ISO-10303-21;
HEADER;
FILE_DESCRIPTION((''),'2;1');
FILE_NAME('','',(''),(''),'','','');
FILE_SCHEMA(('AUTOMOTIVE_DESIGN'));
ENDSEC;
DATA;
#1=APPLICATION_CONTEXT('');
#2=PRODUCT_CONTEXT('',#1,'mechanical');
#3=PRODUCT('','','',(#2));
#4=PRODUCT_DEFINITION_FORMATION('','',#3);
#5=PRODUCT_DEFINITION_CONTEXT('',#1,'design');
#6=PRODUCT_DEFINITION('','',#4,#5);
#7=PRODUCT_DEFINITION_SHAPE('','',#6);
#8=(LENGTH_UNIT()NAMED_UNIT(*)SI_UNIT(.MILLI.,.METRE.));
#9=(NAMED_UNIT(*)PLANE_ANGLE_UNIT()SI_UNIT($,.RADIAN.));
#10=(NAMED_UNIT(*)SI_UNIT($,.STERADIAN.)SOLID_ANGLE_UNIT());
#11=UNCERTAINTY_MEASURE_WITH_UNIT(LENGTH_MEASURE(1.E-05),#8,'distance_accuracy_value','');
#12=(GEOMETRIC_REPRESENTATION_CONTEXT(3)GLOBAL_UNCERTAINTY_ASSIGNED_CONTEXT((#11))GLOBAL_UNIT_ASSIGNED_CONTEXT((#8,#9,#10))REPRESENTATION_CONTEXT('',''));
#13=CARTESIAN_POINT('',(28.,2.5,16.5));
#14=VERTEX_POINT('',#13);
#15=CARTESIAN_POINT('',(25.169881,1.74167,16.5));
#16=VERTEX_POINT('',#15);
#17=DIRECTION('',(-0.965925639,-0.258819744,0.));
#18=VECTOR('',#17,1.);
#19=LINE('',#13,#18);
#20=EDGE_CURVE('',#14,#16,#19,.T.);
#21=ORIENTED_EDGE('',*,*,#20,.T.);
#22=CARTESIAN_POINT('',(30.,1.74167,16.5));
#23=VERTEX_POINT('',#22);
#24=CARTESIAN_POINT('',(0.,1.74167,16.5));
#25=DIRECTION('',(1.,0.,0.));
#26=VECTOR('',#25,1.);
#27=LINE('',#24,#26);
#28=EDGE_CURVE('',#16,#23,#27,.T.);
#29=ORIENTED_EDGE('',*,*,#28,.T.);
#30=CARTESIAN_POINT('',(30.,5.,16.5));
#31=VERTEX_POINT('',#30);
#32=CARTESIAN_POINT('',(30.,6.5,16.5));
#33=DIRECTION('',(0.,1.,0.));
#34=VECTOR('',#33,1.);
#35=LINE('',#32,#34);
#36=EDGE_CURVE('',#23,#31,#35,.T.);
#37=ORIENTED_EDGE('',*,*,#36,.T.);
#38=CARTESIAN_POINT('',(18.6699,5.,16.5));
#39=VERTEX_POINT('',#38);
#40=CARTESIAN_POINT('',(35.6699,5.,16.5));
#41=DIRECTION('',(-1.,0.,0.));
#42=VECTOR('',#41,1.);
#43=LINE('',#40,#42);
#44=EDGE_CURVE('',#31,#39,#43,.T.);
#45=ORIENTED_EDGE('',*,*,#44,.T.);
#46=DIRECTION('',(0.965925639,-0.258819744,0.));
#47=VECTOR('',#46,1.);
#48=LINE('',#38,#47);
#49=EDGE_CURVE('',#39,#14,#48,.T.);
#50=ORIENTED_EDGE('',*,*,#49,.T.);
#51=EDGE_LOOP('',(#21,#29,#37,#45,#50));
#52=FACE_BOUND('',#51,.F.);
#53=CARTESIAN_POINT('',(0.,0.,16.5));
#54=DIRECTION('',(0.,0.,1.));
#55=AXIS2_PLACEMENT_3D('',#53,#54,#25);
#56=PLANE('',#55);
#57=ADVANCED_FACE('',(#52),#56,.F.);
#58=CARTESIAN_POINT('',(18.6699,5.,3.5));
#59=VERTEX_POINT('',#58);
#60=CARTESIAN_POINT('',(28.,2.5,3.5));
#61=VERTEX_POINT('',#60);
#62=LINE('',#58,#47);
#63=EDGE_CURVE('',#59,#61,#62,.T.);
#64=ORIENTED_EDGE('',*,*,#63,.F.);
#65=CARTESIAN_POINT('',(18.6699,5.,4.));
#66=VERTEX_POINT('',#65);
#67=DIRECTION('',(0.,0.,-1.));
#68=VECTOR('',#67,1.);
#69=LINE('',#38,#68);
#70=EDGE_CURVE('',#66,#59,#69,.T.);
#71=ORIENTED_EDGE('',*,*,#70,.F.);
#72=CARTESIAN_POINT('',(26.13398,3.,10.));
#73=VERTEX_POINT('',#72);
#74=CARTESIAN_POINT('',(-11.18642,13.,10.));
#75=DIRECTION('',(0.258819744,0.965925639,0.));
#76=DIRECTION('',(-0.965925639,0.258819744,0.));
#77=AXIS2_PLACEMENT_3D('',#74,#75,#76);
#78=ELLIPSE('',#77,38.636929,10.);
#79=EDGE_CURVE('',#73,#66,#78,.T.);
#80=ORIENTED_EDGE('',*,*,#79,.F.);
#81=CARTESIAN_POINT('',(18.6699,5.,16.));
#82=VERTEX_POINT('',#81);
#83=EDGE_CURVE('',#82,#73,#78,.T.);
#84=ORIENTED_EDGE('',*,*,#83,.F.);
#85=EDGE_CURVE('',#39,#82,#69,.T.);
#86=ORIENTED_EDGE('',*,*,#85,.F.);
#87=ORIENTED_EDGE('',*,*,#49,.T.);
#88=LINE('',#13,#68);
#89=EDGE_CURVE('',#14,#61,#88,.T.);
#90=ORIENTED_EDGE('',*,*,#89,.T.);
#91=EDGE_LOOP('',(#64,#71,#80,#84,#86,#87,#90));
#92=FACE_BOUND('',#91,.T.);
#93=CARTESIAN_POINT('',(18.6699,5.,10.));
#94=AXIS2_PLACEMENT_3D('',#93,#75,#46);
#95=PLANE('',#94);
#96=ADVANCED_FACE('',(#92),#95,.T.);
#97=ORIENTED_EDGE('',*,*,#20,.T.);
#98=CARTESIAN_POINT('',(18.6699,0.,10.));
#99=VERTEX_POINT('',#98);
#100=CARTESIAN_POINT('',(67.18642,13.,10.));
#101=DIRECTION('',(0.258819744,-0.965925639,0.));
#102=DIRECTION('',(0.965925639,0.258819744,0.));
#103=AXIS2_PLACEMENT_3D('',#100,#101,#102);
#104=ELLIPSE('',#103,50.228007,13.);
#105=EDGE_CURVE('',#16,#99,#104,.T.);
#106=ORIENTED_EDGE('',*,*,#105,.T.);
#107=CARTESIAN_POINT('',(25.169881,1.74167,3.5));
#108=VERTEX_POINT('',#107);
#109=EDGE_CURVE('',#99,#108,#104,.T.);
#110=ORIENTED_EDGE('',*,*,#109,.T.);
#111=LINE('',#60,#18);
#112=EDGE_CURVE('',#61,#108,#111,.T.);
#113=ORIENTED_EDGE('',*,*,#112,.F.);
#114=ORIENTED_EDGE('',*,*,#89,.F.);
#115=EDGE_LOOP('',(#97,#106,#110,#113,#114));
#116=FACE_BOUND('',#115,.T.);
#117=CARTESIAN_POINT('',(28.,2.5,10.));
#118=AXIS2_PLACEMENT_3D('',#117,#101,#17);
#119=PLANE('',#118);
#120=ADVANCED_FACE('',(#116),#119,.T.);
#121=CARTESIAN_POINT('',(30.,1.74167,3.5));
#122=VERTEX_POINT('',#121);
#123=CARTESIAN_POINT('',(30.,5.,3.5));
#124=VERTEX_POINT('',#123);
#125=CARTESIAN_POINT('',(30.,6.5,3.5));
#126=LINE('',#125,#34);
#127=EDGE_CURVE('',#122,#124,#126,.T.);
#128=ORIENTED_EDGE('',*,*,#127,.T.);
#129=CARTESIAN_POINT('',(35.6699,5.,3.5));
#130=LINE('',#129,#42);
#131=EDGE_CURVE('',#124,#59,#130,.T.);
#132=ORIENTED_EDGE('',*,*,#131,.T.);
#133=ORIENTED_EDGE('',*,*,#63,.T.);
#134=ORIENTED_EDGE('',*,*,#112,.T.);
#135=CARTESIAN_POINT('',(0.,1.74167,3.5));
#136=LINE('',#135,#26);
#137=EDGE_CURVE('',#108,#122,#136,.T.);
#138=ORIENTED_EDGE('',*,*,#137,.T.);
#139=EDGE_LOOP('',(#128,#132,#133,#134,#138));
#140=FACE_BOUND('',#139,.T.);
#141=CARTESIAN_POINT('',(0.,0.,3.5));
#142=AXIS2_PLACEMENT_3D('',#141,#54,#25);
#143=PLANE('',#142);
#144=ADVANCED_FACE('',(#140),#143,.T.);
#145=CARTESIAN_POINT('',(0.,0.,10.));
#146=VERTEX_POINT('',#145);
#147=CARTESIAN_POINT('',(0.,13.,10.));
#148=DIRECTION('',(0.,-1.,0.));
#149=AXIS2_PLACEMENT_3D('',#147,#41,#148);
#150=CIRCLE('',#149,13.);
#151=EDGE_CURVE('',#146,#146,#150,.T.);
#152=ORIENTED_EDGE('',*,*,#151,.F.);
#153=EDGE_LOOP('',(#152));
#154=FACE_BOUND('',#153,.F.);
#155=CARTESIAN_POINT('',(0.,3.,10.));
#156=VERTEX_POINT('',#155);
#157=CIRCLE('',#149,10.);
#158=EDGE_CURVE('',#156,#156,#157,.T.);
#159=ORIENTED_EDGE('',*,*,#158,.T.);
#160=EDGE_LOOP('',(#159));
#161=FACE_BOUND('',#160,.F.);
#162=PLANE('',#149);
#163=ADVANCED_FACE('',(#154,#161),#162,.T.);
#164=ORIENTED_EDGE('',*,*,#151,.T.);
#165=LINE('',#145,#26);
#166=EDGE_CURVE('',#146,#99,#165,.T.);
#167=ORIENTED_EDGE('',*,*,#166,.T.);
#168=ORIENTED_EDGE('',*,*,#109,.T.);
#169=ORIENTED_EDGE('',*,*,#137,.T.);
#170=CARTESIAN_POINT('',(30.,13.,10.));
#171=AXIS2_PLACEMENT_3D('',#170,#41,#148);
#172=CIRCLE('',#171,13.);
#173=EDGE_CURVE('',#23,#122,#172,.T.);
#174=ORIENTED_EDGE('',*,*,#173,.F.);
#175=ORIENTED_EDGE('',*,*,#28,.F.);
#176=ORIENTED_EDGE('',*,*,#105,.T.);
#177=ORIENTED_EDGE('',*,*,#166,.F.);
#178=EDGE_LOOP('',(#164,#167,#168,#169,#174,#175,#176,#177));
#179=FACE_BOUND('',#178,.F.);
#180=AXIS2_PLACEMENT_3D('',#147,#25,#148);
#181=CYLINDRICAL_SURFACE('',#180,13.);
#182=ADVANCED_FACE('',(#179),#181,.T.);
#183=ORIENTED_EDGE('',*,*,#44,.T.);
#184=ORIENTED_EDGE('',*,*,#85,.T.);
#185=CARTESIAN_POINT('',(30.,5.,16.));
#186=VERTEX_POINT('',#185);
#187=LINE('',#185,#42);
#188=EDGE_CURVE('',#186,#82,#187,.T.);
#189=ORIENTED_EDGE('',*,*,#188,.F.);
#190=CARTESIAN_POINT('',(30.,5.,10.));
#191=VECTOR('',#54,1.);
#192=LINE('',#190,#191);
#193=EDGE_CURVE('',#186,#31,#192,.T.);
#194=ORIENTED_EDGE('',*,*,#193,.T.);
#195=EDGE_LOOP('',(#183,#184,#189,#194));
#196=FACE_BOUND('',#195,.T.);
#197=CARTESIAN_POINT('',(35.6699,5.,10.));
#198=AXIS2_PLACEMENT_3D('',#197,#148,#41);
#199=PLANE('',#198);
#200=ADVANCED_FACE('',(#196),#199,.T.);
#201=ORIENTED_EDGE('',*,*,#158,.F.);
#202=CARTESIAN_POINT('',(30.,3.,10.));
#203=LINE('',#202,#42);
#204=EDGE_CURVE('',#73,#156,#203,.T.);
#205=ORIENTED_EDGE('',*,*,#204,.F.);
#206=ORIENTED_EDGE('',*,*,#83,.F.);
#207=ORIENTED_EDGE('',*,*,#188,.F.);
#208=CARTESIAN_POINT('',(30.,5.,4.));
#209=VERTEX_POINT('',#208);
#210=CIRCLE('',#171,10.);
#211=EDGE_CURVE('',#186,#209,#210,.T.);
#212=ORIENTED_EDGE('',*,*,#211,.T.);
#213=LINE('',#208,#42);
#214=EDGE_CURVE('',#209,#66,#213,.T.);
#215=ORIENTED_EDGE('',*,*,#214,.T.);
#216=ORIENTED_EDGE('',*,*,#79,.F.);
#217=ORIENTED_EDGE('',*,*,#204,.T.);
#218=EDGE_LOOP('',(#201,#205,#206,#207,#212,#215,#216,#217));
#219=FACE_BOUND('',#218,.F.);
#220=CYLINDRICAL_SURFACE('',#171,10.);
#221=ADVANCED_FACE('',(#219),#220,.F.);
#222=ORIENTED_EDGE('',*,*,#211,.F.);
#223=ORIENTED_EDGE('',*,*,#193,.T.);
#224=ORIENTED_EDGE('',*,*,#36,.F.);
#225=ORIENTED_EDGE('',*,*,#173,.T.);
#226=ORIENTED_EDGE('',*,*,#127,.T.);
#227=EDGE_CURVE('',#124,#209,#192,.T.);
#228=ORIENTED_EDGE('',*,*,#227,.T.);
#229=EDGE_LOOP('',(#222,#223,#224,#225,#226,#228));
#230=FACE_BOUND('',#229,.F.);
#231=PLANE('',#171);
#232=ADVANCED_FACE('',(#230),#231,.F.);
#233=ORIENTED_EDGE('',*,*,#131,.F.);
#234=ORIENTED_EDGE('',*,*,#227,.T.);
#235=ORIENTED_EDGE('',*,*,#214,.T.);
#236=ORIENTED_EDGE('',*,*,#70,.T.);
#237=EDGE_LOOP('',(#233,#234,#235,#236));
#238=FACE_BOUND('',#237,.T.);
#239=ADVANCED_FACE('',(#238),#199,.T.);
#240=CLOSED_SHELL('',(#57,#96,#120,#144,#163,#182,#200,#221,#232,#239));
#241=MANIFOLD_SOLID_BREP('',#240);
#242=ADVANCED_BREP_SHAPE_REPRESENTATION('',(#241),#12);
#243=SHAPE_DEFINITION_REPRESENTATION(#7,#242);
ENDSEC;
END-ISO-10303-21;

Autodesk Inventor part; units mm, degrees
ref_plane "YZ Plane" through (0, 0, 0) normal (1, 0, 0) x (0, 1, 0)
ref_plane "XZ Plane" through (0, 0, 0) normal (0, 1, 0) x (-1, 0, 0)
ref_plane "Work Plane1" through (0, 0, 10) normal (0, 0, 1) x (1, 0, 0)
sketch "Sketch2" plane through (0, 0, 10) normal (0, 0, 1) x (1, 0, 0)
  line L0 (0, 0) -> (30, 0)
  line L1 (30, 0) -> (30, 3)
  line L2 (30, 3) -> (0, 3)
  line L3 (0, 3) -> (0, 0)
  line L4 (30, 13) -> (0, 13)
  dimension "d11" = 30
  dimension "d12" = 3
  dimension "d13" = 10
revolve "Revolution1" add sketch "Sketch2" angle 360 about axis through (30, 13, 10) along (-1, 0, 0)
sketch "Sketch3" plane through (0, 0, 10) normal (0, 0, 1) x (1, 0, 0)
  line L0 (18.6699, 0) -> (35.6699, 0)
  line L1 (35.6699, 0) -> (35.6699, 5)
  line L2 (35.6699, 5) -> (18.6699, 5)
  line L3 (18.6699, 5) -> (28, 2.5)
  line L4 (28, 2.5) -> (18.6699, 0)
  line L5 (0, 26) -> (0, 0) projected
  line L6 (-3.0148, 0) -> (-5.3111, 0)
  dimension "d17" = 17
  dimension "d19" = 15
  dimension "d20" = 15
  dimension "d21" = 2.5
  dimension "d23" = 28
  dimension "d24" = 5
  dimension "d25" = 5.3111
  dimension "d26" = 7.6699
extrude "Extrusion2" cut sketch "Sketch3" along normal mid plane 13
equation "\"d20\" = d19"
properties part number "Whistle 1.3"
